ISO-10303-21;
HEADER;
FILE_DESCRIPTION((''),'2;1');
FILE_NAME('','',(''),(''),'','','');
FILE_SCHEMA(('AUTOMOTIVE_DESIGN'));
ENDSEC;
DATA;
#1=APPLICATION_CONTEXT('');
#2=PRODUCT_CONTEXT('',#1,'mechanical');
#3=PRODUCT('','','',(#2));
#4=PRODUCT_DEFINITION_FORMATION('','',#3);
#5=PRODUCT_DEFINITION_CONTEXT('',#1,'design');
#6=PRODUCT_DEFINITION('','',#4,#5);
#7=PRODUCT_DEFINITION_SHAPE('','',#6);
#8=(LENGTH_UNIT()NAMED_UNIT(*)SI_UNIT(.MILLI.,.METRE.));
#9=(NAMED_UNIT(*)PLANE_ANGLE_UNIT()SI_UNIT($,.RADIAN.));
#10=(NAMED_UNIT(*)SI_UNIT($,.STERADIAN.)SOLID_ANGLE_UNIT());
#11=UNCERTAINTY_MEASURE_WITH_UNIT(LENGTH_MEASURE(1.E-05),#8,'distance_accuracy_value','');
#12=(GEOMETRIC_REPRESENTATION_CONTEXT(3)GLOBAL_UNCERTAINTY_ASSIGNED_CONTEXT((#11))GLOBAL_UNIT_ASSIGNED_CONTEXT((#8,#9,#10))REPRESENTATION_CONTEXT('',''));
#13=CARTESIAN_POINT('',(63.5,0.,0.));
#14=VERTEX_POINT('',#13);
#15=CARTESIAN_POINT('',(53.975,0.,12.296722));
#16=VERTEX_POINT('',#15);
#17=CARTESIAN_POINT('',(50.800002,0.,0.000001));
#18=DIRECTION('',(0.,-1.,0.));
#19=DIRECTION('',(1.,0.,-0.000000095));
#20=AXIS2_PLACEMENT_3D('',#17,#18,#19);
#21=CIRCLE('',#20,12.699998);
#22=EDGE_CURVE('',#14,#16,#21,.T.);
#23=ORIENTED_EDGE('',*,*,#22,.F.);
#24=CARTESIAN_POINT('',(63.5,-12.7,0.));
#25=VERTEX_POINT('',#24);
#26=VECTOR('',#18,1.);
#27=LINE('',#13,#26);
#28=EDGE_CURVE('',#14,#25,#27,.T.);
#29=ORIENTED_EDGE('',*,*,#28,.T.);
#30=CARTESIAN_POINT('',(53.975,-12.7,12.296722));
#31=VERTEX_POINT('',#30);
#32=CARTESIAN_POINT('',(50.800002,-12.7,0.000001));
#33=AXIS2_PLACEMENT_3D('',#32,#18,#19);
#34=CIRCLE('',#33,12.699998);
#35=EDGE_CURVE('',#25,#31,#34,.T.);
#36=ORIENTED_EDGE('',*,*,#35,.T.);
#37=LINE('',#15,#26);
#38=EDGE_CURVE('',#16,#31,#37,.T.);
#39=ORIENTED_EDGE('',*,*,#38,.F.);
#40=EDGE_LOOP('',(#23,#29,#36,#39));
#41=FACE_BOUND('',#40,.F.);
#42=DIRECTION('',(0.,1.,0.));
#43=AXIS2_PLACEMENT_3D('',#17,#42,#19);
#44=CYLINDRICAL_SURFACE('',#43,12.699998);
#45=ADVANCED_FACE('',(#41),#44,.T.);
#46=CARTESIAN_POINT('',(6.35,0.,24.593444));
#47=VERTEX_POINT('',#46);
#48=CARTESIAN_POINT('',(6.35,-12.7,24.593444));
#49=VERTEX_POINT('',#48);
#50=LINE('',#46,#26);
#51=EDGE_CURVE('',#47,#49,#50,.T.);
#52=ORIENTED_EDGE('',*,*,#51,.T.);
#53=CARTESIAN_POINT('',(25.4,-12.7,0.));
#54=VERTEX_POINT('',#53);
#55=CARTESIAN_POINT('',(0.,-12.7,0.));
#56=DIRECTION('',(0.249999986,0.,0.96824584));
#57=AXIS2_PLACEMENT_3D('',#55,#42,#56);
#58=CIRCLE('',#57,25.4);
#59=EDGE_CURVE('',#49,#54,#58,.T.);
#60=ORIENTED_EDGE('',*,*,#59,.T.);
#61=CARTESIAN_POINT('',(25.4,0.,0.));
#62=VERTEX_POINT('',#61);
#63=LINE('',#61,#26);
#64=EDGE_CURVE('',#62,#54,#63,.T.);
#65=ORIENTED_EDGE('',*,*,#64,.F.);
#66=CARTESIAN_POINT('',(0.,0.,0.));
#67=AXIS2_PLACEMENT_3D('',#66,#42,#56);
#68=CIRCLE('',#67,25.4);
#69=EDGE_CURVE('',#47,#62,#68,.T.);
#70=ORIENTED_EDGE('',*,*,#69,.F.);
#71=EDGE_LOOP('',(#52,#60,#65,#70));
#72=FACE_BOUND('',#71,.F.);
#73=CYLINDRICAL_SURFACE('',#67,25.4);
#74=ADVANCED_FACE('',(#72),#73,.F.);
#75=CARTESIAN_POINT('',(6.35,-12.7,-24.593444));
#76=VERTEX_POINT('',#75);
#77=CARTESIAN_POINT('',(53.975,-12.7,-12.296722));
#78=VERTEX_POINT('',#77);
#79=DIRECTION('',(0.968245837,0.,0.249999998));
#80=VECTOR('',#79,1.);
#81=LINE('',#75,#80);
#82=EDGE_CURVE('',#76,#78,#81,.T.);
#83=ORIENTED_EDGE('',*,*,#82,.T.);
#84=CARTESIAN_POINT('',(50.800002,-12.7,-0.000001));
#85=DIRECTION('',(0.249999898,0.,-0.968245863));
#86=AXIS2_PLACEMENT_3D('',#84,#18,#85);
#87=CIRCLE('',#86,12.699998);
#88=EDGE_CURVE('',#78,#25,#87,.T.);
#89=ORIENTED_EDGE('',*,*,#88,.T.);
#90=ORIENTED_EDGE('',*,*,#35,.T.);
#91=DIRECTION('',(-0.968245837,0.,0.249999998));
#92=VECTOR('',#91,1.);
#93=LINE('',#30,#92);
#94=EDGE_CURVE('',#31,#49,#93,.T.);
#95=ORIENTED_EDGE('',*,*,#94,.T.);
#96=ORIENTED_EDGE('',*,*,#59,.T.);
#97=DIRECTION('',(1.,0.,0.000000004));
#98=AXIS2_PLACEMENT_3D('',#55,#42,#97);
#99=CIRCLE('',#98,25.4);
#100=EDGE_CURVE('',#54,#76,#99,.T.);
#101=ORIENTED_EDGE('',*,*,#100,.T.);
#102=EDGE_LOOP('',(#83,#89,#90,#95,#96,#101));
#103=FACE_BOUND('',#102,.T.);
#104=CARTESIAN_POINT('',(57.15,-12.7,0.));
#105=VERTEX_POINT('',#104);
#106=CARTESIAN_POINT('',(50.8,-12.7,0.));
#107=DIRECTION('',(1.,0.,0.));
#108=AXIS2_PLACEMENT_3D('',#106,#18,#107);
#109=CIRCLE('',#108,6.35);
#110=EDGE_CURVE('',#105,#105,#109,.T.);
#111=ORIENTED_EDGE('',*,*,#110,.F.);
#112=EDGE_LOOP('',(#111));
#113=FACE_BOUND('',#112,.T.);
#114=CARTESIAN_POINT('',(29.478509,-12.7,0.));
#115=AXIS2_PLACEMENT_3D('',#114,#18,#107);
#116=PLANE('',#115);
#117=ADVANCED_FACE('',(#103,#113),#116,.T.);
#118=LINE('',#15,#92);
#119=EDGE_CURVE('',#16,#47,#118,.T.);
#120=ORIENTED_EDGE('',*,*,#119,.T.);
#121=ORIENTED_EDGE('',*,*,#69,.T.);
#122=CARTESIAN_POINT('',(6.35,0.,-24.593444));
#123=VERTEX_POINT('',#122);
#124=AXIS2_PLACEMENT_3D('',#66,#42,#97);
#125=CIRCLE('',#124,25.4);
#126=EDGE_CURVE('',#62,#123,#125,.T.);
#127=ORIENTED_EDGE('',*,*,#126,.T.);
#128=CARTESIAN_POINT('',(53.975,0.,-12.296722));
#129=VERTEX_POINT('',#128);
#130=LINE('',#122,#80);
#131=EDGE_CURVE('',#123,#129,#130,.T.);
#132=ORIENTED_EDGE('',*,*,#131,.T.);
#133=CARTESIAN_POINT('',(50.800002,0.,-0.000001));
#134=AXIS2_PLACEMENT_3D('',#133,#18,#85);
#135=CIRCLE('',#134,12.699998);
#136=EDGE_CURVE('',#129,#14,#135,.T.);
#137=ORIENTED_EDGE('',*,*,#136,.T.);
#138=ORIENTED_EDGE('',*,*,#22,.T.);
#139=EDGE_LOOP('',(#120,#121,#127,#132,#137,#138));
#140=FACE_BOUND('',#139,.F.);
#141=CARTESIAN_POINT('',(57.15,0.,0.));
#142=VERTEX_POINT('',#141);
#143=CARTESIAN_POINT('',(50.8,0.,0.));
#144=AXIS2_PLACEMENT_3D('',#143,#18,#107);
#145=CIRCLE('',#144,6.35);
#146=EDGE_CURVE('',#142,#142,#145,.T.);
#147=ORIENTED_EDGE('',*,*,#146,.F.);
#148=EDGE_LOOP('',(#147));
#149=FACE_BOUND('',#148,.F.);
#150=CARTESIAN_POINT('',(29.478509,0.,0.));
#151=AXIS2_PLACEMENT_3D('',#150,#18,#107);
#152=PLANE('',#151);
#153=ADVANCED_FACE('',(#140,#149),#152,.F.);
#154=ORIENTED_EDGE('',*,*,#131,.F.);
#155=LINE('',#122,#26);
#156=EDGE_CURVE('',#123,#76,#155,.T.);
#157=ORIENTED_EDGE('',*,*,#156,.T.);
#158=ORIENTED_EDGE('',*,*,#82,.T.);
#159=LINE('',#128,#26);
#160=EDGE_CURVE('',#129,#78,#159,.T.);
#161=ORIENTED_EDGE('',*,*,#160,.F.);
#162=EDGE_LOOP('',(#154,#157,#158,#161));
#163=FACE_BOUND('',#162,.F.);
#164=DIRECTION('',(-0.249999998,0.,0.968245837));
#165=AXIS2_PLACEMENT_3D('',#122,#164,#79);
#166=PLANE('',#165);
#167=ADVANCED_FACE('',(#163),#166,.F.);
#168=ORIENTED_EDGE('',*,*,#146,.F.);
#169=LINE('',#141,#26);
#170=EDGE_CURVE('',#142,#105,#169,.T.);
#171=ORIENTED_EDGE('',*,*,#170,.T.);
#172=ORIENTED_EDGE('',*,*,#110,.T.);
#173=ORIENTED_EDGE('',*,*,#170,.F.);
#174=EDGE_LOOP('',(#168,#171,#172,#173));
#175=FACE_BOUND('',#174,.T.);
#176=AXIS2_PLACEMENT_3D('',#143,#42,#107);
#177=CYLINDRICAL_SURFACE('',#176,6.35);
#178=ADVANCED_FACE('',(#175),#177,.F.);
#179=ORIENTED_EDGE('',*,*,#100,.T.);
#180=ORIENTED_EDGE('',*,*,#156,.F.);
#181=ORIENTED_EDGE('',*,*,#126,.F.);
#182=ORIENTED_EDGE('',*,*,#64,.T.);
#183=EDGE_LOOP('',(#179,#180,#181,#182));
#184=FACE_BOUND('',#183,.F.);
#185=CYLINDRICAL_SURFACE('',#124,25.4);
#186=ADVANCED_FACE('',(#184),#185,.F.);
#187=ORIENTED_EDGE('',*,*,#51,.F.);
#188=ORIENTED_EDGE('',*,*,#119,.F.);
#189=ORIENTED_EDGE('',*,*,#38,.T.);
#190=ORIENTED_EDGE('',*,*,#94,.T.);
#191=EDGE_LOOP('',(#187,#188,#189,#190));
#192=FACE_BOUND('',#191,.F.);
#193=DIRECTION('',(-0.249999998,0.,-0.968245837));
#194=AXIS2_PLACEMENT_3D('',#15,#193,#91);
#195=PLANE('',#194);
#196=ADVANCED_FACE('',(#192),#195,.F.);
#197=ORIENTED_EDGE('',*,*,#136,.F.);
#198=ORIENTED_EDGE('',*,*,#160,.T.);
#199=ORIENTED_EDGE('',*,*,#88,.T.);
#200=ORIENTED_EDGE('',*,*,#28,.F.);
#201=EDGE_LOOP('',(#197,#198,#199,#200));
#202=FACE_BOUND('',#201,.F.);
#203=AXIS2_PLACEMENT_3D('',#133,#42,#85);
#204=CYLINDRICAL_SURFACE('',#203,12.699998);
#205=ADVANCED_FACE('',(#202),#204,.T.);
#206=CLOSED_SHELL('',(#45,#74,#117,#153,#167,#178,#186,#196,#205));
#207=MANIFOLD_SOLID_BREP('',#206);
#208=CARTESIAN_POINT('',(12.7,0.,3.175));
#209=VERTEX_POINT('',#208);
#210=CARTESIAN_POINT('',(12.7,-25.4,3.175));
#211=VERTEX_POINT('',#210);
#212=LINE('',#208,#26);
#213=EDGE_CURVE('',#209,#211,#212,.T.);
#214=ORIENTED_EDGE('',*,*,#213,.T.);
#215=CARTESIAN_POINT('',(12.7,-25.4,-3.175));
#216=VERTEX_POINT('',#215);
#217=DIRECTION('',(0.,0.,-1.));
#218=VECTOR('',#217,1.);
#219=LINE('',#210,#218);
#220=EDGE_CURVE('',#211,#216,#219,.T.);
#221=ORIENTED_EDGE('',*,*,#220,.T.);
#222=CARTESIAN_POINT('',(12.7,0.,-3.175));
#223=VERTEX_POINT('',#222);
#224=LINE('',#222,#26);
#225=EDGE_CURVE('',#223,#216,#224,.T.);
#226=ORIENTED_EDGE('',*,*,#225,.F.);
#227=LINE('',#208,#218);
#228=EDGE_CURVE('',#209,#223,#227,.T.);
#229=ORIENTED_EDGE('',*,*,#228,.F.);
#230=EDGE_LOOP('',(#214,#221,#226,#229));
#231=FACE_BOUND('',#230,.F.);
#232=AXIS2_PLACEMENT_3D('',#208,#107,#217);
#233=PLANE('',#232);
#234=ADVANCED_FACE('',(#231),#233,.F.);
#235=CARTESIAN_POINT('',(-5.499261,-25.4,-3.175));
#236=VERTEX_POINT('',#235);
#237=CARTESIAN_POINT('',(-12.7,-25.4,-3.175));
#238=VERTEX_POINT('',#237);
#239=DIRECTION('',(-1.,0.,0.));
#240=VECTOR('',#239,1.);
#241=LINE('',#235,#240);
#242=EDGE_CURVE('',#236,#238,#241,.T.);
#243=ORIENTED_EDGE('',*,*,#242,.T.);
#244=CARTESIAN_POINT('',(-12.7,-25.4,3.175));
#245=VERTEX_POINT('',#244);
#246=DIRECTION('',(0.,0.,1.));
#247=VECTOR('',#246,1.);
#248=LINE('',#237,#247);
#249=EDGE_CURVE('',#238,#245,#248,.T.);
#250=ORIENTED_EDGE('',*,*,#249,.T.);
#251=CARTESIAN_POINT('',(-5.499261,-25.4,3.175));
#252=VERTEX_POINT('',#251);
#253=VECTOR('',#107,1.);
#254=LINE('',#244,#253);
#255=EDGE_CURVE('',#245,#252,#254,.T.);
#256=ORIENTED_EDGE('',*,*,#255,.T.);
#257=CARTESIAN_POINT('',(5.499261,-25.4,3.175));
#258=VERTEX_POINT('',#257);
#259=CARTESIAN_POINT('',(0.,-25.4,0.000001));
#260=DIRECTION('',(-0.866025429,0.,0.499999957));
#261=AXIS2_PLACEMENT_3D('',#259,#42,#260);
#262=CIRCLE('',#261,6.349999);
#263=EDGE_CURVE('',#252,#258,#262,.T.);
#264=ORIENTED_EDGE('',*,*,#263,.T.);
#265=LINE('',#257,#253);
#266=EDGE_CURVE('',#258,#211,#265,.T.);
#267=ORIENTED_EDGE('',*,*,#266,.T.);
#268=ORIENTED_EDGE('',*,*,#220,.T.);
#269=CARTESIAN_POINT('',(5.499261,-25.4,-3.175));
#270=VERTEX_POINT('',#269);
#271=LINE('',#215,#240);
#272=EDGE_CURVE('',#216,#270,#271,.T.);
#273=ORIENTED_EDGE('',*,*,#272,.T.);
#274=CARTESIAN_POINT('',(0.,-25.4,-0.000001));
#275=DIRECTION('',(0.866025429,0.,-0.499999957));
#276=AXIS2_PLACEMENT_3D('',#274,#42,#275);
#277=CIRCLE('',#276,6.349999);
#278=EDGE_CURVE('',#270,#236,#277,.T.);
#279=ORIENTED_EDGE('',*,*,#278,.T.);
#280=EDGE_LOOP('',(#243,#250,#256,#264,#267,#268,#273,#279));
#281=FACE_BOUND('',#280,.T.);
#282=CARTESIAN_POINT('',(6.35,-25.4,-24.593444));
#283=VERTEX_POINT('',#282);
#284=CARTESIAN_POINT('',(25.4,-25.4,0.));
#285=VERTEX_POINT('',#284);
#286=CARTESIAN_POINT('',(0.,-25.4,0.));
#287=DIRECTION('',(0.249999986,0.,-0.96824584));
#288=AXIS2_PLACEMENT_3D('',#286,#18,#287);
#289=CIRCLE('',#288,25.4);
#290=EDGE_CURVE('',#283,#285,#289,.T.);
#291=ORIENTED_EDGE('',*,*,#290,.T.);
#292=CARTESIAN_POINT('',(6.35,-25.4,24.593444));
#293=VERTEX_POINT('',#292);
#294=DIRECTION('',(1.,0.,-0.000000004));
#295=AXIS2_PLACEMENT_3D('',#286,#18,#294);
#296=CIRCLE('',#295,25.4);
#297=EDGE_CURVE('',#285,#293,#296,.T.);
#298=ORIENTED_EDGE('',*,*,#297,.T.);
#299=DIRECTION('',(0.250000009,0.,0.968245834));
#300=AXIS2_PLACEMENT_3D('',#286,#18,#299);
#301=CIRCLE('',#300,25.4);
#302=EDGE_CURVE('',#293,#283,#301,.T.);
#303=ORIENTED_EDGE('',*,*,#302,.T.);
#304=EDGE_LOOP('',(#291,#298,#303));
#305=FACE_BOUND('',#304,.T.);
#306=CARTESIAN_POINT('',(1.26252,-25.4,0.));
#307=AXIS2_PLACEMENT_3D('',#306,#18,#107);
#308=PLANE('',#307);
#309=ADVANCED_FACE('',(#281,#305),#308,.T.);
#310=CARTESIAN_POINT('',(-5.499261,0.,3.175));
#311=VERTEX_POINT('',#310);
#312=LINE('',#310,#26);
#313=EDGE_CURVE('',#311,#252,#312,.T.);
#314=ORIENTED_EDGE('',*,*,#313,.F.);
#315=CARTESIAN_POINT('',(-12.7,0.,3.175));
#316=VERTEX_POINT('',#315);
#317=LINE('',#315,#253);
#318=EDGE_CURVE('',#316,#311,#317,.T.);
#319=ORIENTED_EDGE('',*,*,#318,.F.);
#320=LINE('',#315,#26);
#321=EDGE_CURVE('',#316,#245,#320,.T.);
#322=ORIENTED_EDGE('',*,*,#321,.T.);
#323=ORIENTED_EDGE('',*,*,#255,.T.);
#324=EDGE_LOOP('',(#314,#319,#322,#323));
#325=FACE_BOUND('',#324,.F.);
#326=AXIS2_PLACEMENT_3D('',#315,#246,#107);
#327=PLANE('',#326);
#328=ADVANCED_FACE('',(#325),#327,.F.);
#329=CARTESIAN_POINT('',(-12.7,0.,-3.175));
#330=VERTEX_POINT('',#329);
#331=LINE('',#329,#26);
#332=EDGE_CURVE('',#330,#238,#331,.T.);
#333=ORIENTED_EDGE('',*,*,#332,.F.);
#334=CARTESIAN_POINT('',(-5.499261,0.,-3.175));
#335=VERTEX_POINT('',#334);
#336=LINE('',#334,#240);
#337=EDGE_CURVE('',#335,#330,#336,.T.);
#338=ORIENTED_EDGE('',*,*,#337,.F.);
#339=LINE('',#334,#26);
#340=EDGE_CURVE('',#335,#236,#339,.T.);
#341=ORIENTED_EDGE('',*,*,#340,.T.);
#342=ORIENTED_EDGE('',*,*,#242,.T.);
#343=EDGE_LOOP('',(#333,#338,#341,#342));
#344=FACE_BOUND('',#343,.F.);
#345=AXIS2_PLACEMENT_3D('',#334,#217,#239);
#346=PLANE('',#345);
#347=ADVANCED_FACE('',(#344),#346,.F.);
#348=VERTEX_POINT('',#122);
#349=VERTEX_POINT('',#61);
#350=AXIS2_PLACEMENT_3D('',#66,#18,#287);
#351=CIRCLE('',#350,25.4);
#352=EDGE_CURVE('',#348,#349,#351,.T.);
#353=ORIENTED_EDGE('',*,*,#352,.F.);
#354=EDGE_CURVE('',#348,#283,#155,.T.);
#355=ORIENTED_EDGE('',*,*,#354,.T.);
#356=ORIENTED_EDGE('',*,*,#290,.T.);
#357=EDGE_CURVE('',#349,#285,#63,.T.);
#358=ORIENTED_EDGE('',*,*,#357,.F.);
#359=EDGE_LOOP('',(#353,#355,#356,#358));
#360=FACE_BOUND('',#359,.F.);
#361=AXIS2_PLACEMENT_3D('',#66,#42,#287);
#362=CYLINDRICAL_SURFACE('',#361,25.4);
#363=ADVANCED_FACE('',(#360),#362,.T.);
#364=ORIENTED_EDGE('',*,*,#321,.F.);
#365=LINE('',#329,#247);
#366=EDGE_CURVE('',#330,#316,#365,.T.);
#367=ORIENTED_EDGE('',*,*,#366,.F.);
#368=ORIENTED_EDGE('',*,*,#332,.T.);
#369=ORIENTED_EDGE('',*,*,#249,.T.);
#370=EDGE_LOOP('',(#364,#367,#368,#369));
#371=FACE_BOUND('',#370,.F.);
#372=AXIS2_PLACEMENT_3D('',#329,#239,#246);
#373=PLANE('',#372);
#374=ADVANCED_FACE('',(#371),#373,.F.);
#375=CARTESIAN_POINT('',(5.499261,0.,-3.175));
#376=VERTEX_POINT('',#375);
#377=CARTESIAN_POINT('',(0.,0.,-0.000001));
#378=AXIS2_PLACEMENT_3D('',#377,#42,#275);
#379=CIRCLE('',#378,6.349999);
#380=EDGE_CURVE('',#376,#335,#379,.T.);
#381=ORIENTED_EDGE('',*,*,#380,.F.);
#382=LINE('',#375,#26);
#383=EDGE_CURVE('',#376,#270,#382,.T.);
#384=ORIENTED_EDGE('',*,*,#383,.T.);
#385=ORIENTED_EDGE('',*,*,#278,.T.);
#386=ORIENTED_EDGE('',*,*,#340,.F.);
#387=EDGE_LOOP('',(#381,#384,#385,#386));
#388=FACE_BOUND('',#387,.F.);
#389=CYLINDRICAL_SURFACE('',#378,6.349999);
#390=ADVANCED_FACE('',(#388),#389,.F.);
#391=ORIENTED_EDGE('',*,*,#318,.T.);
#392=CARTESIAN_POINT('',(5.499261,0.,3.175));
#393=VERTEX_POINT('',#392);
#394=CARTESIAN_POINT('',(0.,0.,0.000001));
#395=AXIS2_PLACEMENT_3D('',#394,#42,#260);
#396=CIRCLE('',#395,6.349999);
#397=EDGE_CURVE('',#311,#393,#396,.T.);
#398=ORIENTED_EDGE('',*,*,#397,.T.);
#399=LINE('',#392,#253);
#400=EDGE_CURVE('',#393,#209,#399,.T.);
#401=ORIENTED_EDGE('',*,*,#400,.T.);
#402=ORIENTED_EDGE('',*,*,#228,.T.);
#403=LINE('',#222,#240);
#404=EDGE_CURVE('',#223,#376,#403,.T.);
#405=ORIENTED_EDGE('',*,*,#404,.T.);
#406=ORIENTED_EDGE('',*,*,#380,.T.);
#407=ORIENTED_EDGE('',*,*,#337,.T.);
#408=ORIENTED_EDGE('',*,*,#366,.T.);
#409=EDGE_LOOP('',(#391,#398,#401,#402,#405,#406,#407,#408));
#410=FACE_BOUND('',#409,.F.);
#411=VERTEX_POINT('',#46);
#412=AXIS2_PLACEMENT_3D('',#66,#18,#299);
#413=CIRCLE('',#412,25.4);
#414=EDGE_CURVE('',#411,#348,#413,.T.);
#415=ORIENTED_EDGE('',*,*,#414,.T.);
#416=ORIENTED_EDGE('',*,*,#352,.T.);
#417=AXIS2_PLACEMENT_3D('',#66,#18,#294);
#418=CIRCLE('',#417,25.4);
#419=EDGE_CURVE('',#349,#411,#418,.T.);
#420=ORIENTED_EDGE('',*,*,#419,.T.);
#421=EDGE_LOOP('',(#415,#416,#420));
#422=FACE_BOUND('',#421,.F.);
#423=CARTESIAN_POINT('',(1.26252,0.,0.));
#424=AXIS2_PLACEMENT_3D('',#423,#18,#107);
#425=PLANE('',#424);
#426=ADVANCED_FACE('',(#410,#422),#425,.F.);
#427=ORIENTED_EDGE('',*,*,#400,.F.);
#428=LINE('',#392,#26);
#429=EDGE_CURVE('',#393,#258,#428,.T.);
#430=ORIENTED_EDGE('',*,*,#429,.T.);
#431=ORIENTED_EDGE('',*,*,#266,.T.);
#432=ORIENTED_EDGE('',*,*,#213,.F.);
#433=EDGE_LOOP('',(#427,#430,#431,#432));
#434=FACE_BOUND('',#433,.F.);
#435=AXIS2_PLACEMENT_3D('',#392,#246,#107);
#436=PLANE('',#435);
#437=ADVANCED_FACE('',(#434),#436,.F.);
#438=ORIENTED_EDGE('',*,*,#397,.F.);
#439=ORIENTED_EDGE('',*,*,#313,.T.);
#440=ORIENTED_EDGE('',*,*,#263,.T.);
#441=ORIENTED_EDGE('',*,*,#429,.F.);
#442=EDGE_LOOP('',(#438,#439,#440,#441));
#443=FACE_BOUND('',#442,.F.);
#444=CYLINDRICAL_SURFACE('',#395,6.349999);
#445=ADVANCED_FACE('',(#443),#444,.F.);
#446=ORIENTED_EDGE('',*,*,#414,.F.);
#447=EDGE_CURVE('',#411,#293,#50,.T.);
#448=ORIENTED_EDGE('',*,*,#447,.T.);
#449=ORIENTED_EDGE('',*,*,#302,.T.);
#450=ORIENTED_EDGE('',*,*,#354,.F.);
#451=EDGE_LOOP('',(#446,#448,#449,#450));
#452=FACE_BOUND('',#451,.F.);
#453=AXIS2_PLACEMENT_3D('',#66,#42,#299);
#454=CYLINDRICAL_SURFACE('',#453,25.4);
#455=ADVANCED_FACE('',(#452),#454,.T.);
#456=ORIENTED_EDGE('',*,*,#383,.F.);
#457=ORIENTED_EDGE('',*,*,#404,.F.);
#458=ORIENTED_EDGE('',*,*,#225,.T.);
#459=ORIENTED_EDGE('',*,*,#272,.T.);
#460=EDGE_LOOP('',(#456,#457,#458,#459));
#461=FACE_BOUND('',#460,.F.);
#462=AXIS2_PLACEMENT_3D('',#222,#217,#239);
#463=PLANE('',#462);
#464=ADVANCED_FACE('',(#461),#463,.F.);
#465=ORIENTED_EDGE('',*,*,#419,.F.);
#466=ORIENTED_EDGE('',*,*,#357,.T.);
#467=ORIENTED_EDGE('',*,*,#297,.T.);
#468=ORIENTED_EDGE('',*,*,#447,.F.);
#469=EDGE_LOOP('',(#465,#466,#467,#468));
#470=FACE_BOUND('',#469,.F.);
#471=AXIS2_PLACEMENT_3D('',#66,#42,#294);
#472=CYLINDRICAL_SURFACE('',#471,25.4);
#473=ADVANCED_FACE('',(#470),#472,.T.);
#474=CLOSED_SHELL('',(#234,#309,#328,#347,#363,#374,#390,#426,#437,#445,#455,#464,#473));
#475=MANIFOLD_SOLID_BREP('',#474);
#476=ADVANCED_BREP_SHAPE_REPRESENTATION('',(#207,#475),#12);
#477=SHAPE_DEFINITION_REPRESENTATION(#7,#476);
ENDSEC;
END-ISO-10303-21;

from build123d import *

# Parameters (mm, degrees)
F1_DEPTH = 25.4
F0_R     = 6.35
F2_DEPTH = 12.7


with BuildPart() as f1:
    # F0 (on Front) → F1 (new body)
    with BuildSketch(Plane.XZ):
        with BuildLine():
            ThreePointArc((6.35, -24.593444), (20.080463, -15.55426), (25.4, 0))
            ThreePointArc((25.4, 0), (20.080463, 15.55426), (6.35, 24.593444))
            ThreePointArc((6.35, 24.593444), (-25.4, 0), (6.35, -24.593444))
        make_face()
        with BuildLine():
            ThreePointArc((-5.499261, 3.175), (0, 6.35), (5.499261, 3.175))
            Line((5.499261, 3.175), (12.7, 3.175))
            Line((12.7, 3.175), (12.7, -3.175))
            Line((12.7, -3.175), (5.499261, -3.175))
            ThreePointArc((5.499261, -3.175), (0, -6.35), (-5.499261, -3.175))
            Line((-5.499261, -3.175), (-12.7, -3.175))
            Line((-12.7, -3.175), (-12.7, 3.175))
            Line((-12.7, 3.175), (-5.499261, 3.175))
        make_face(mode=Mode.SUBTRACT)
    extrude(amount=F1_DEPTH)


with BuildPart() as f2:
    # F0 (on Front) → F2 (new body)
    with BuildSketch(Plane.XZ):
        with BuildLine():
            ThreePointArc((6.35, 24.593444), (20.080463, 15.55426), (25.4, 0))
            ThreePointArc((25.4, 0), (20.080463, -15.55426), (6.35, -24.593444))
            Line((6.35, -24.593444), (53.975, -12.296722))
            ThreePointArc((53.975, -12.296722), (38.1, 0), (53.975, 12.296722))
            Line((53.975, 12.296722), (6.35, 24.593444))
        make_face()
        with BuildLine():
            ThreePointArc((63.5, 0), (60.840232, 7.77713), (53.975, 12.296722))
            ThreePointArc((53.975, 12.296722), (38.1, 0), (53.975, -12.296722))
            ThreePointArc((53.975, -12.296722), (60.840232, -7.77713), (63.5, 0))
        make_face()
        with Locations((50.8, 0)):
            Circle(F0_R, mode=Mode.SUBTRACT)
    extrude(amount=F2_DEPTH)


solid = Compound([f1.part, f2.part])
